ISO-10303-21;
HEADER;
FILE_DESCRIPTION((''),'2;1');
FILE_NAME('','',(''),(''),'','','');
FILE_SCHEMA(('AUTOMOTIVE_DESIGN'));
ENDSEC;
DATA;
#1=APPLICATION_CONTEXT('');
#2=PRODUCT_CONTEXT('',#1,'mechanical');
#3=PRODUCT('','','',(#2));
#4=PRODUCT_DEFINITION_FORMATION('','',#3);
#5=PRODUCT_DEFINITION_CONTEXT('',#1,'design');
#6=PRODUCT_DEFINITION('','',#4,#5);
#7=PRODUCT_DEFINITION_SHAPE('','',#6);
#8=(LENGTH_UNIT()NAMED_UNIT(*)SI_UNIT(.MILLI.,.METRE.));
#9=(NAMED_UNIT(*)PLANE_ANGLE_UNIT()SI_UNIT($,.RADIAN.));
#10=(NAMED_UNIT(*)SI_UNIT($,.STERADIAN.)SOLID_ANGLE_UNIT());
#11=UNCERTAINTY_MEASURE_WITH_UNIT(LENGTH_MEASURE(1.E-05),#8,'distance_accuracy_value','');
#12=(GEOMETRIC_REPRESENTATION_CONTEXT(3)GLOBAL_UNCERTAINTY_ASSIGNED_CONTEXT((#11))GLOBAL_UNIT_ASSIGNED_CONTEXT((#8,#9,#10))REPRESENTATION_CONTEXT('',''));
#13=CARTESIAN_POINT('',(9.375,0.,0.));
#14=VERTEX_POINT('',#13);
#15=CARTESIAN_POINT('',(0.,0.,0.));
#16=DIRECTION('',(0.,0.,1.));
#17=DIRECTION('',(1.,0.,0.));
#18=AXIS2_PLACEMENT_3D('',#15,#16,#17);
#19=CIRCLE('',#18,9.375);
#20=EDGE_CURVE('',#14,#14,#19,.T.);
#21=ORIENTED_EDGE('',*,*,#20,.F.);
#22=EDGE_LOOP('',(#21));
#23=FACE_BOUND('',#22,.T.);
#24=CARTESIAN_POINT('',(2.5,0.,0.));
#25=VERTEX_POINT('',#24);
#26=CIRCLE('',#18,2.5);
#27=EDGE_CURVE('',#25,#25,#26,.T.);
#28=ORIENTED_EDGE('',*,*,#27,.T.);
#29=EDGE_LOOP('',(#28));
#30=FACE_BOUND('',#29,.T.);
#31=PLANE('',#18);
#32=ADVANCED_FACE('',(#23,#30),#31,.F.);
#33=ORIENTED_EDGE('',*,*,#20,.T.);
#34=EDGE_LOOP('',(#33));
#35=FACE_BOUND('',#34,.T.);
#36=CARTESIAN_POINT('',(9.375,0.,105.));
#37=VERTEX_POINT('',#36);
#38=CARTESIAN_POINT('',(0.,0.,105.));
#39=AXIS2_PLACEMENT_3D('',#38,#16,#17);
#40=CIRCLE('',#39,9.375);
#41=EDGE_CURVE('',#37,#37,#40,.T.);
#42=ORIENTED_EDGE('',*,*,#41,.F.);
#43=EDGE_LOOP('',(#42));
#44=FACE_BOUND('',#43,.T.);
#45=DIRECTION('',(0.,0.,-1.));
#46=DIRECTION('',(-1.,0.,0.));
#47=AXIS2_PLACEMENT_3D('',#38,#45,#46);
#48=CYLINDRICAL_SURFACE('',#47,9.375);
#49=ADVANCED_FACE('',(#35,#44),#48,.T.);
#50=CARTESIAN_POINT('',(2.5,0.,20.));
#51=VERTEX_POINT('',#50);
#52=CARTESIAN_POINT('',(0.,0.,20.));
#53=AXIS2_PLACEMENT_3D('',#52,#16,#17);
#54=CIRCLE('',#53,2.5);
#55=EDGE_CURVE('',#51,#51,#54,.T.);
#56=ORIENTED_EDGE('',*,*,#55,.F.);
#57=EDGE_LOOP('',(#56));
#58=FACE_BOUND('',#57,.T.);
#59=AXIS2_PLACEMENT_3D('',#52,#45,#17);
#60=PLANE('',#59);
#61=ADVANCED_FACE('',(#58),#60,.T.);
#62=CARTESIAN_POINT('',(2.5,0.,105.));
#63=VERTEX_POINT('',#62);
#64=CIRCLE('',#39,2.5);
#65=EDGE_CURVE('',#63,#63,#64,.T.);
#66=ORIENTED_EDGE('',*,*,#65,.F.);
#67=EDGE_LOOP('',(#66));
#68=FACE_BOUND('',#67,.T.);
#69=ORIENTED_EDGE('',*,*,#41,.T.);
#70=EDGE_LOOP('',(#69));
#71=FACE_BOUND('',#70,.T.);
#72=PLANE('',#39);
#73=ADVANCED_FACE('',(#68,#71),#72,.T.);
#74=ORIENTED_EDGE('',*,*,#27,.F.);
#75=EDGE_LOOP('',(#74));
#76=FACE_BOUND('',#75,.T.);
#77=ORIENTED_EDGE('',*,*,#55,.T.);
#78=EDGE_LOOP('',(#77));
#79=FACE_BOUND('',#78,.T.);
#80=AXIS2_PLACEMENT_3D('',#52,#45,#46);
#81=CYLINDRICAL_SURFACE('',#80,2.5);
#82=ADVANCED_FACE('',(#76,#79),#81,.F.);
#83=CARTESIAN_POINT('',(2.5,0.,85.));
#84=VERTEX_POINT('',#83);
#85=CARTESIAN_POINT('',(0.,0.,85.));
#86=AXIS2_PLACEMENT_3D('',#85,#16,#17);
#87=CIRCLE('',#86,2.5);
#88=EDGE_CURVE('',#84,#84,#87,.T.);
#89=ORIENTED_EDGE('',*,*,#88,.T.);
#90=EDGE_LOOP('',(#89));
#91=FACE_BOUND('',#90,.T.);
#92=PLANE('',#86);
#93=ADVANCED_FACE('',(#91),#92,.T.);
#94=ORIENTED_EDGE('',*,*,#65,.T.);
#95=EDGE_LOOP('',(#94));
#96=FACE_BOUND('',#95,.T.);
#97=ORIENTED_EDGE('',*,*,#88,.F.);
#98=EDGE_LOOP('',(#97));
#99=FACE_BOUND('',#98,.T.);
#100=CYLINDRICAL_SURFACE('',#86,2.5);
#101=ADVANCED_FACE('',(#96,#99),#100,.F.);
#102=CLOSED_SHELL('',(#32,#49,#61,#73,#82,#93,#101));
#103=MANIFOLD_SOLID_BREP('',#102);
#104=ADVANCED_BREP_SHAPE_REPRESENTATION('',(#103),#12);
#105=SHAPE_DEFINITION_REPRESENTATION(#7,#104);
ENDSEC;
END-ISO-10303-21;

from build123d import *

# Parameters (mm, degrees)
SKETCH1_R           = 9.375
BOSS_EXTRUDE1_DEPTH = 105
SKETCH4_R           = 2.5
CUT_EXTRUDE1_DEPTH  = 20


with BuildPart() as part:
    # Sketch1 → Boss-Extrude1 (new body)
    with BuildSketch(Plane.XY):
        Circle(SKETCH1_R)
    extrude(amount=BOSS_EXTRUDE1_DEPTH)

    # Sketch4 → Cut-Extrude1 (cut)
    with BuildSketch(Plane.XY.offset(105)):
        Circle(SKETCH4_R)
    cut_extrude1 = extrude(amount=-CUT_EXTRUDE1_DEPTH, mode=Mode.SUBTRACT)

    # Mirror1: Cut-Extrude1 across plane
    add(cut_extrude1.mirror(Plane(origin=(0, 0, 52.5), x_dir=(1, 0, 0), z_dir=(0, 0, -1))), mode=Mode.SUBTRACT)


solid = part.part
